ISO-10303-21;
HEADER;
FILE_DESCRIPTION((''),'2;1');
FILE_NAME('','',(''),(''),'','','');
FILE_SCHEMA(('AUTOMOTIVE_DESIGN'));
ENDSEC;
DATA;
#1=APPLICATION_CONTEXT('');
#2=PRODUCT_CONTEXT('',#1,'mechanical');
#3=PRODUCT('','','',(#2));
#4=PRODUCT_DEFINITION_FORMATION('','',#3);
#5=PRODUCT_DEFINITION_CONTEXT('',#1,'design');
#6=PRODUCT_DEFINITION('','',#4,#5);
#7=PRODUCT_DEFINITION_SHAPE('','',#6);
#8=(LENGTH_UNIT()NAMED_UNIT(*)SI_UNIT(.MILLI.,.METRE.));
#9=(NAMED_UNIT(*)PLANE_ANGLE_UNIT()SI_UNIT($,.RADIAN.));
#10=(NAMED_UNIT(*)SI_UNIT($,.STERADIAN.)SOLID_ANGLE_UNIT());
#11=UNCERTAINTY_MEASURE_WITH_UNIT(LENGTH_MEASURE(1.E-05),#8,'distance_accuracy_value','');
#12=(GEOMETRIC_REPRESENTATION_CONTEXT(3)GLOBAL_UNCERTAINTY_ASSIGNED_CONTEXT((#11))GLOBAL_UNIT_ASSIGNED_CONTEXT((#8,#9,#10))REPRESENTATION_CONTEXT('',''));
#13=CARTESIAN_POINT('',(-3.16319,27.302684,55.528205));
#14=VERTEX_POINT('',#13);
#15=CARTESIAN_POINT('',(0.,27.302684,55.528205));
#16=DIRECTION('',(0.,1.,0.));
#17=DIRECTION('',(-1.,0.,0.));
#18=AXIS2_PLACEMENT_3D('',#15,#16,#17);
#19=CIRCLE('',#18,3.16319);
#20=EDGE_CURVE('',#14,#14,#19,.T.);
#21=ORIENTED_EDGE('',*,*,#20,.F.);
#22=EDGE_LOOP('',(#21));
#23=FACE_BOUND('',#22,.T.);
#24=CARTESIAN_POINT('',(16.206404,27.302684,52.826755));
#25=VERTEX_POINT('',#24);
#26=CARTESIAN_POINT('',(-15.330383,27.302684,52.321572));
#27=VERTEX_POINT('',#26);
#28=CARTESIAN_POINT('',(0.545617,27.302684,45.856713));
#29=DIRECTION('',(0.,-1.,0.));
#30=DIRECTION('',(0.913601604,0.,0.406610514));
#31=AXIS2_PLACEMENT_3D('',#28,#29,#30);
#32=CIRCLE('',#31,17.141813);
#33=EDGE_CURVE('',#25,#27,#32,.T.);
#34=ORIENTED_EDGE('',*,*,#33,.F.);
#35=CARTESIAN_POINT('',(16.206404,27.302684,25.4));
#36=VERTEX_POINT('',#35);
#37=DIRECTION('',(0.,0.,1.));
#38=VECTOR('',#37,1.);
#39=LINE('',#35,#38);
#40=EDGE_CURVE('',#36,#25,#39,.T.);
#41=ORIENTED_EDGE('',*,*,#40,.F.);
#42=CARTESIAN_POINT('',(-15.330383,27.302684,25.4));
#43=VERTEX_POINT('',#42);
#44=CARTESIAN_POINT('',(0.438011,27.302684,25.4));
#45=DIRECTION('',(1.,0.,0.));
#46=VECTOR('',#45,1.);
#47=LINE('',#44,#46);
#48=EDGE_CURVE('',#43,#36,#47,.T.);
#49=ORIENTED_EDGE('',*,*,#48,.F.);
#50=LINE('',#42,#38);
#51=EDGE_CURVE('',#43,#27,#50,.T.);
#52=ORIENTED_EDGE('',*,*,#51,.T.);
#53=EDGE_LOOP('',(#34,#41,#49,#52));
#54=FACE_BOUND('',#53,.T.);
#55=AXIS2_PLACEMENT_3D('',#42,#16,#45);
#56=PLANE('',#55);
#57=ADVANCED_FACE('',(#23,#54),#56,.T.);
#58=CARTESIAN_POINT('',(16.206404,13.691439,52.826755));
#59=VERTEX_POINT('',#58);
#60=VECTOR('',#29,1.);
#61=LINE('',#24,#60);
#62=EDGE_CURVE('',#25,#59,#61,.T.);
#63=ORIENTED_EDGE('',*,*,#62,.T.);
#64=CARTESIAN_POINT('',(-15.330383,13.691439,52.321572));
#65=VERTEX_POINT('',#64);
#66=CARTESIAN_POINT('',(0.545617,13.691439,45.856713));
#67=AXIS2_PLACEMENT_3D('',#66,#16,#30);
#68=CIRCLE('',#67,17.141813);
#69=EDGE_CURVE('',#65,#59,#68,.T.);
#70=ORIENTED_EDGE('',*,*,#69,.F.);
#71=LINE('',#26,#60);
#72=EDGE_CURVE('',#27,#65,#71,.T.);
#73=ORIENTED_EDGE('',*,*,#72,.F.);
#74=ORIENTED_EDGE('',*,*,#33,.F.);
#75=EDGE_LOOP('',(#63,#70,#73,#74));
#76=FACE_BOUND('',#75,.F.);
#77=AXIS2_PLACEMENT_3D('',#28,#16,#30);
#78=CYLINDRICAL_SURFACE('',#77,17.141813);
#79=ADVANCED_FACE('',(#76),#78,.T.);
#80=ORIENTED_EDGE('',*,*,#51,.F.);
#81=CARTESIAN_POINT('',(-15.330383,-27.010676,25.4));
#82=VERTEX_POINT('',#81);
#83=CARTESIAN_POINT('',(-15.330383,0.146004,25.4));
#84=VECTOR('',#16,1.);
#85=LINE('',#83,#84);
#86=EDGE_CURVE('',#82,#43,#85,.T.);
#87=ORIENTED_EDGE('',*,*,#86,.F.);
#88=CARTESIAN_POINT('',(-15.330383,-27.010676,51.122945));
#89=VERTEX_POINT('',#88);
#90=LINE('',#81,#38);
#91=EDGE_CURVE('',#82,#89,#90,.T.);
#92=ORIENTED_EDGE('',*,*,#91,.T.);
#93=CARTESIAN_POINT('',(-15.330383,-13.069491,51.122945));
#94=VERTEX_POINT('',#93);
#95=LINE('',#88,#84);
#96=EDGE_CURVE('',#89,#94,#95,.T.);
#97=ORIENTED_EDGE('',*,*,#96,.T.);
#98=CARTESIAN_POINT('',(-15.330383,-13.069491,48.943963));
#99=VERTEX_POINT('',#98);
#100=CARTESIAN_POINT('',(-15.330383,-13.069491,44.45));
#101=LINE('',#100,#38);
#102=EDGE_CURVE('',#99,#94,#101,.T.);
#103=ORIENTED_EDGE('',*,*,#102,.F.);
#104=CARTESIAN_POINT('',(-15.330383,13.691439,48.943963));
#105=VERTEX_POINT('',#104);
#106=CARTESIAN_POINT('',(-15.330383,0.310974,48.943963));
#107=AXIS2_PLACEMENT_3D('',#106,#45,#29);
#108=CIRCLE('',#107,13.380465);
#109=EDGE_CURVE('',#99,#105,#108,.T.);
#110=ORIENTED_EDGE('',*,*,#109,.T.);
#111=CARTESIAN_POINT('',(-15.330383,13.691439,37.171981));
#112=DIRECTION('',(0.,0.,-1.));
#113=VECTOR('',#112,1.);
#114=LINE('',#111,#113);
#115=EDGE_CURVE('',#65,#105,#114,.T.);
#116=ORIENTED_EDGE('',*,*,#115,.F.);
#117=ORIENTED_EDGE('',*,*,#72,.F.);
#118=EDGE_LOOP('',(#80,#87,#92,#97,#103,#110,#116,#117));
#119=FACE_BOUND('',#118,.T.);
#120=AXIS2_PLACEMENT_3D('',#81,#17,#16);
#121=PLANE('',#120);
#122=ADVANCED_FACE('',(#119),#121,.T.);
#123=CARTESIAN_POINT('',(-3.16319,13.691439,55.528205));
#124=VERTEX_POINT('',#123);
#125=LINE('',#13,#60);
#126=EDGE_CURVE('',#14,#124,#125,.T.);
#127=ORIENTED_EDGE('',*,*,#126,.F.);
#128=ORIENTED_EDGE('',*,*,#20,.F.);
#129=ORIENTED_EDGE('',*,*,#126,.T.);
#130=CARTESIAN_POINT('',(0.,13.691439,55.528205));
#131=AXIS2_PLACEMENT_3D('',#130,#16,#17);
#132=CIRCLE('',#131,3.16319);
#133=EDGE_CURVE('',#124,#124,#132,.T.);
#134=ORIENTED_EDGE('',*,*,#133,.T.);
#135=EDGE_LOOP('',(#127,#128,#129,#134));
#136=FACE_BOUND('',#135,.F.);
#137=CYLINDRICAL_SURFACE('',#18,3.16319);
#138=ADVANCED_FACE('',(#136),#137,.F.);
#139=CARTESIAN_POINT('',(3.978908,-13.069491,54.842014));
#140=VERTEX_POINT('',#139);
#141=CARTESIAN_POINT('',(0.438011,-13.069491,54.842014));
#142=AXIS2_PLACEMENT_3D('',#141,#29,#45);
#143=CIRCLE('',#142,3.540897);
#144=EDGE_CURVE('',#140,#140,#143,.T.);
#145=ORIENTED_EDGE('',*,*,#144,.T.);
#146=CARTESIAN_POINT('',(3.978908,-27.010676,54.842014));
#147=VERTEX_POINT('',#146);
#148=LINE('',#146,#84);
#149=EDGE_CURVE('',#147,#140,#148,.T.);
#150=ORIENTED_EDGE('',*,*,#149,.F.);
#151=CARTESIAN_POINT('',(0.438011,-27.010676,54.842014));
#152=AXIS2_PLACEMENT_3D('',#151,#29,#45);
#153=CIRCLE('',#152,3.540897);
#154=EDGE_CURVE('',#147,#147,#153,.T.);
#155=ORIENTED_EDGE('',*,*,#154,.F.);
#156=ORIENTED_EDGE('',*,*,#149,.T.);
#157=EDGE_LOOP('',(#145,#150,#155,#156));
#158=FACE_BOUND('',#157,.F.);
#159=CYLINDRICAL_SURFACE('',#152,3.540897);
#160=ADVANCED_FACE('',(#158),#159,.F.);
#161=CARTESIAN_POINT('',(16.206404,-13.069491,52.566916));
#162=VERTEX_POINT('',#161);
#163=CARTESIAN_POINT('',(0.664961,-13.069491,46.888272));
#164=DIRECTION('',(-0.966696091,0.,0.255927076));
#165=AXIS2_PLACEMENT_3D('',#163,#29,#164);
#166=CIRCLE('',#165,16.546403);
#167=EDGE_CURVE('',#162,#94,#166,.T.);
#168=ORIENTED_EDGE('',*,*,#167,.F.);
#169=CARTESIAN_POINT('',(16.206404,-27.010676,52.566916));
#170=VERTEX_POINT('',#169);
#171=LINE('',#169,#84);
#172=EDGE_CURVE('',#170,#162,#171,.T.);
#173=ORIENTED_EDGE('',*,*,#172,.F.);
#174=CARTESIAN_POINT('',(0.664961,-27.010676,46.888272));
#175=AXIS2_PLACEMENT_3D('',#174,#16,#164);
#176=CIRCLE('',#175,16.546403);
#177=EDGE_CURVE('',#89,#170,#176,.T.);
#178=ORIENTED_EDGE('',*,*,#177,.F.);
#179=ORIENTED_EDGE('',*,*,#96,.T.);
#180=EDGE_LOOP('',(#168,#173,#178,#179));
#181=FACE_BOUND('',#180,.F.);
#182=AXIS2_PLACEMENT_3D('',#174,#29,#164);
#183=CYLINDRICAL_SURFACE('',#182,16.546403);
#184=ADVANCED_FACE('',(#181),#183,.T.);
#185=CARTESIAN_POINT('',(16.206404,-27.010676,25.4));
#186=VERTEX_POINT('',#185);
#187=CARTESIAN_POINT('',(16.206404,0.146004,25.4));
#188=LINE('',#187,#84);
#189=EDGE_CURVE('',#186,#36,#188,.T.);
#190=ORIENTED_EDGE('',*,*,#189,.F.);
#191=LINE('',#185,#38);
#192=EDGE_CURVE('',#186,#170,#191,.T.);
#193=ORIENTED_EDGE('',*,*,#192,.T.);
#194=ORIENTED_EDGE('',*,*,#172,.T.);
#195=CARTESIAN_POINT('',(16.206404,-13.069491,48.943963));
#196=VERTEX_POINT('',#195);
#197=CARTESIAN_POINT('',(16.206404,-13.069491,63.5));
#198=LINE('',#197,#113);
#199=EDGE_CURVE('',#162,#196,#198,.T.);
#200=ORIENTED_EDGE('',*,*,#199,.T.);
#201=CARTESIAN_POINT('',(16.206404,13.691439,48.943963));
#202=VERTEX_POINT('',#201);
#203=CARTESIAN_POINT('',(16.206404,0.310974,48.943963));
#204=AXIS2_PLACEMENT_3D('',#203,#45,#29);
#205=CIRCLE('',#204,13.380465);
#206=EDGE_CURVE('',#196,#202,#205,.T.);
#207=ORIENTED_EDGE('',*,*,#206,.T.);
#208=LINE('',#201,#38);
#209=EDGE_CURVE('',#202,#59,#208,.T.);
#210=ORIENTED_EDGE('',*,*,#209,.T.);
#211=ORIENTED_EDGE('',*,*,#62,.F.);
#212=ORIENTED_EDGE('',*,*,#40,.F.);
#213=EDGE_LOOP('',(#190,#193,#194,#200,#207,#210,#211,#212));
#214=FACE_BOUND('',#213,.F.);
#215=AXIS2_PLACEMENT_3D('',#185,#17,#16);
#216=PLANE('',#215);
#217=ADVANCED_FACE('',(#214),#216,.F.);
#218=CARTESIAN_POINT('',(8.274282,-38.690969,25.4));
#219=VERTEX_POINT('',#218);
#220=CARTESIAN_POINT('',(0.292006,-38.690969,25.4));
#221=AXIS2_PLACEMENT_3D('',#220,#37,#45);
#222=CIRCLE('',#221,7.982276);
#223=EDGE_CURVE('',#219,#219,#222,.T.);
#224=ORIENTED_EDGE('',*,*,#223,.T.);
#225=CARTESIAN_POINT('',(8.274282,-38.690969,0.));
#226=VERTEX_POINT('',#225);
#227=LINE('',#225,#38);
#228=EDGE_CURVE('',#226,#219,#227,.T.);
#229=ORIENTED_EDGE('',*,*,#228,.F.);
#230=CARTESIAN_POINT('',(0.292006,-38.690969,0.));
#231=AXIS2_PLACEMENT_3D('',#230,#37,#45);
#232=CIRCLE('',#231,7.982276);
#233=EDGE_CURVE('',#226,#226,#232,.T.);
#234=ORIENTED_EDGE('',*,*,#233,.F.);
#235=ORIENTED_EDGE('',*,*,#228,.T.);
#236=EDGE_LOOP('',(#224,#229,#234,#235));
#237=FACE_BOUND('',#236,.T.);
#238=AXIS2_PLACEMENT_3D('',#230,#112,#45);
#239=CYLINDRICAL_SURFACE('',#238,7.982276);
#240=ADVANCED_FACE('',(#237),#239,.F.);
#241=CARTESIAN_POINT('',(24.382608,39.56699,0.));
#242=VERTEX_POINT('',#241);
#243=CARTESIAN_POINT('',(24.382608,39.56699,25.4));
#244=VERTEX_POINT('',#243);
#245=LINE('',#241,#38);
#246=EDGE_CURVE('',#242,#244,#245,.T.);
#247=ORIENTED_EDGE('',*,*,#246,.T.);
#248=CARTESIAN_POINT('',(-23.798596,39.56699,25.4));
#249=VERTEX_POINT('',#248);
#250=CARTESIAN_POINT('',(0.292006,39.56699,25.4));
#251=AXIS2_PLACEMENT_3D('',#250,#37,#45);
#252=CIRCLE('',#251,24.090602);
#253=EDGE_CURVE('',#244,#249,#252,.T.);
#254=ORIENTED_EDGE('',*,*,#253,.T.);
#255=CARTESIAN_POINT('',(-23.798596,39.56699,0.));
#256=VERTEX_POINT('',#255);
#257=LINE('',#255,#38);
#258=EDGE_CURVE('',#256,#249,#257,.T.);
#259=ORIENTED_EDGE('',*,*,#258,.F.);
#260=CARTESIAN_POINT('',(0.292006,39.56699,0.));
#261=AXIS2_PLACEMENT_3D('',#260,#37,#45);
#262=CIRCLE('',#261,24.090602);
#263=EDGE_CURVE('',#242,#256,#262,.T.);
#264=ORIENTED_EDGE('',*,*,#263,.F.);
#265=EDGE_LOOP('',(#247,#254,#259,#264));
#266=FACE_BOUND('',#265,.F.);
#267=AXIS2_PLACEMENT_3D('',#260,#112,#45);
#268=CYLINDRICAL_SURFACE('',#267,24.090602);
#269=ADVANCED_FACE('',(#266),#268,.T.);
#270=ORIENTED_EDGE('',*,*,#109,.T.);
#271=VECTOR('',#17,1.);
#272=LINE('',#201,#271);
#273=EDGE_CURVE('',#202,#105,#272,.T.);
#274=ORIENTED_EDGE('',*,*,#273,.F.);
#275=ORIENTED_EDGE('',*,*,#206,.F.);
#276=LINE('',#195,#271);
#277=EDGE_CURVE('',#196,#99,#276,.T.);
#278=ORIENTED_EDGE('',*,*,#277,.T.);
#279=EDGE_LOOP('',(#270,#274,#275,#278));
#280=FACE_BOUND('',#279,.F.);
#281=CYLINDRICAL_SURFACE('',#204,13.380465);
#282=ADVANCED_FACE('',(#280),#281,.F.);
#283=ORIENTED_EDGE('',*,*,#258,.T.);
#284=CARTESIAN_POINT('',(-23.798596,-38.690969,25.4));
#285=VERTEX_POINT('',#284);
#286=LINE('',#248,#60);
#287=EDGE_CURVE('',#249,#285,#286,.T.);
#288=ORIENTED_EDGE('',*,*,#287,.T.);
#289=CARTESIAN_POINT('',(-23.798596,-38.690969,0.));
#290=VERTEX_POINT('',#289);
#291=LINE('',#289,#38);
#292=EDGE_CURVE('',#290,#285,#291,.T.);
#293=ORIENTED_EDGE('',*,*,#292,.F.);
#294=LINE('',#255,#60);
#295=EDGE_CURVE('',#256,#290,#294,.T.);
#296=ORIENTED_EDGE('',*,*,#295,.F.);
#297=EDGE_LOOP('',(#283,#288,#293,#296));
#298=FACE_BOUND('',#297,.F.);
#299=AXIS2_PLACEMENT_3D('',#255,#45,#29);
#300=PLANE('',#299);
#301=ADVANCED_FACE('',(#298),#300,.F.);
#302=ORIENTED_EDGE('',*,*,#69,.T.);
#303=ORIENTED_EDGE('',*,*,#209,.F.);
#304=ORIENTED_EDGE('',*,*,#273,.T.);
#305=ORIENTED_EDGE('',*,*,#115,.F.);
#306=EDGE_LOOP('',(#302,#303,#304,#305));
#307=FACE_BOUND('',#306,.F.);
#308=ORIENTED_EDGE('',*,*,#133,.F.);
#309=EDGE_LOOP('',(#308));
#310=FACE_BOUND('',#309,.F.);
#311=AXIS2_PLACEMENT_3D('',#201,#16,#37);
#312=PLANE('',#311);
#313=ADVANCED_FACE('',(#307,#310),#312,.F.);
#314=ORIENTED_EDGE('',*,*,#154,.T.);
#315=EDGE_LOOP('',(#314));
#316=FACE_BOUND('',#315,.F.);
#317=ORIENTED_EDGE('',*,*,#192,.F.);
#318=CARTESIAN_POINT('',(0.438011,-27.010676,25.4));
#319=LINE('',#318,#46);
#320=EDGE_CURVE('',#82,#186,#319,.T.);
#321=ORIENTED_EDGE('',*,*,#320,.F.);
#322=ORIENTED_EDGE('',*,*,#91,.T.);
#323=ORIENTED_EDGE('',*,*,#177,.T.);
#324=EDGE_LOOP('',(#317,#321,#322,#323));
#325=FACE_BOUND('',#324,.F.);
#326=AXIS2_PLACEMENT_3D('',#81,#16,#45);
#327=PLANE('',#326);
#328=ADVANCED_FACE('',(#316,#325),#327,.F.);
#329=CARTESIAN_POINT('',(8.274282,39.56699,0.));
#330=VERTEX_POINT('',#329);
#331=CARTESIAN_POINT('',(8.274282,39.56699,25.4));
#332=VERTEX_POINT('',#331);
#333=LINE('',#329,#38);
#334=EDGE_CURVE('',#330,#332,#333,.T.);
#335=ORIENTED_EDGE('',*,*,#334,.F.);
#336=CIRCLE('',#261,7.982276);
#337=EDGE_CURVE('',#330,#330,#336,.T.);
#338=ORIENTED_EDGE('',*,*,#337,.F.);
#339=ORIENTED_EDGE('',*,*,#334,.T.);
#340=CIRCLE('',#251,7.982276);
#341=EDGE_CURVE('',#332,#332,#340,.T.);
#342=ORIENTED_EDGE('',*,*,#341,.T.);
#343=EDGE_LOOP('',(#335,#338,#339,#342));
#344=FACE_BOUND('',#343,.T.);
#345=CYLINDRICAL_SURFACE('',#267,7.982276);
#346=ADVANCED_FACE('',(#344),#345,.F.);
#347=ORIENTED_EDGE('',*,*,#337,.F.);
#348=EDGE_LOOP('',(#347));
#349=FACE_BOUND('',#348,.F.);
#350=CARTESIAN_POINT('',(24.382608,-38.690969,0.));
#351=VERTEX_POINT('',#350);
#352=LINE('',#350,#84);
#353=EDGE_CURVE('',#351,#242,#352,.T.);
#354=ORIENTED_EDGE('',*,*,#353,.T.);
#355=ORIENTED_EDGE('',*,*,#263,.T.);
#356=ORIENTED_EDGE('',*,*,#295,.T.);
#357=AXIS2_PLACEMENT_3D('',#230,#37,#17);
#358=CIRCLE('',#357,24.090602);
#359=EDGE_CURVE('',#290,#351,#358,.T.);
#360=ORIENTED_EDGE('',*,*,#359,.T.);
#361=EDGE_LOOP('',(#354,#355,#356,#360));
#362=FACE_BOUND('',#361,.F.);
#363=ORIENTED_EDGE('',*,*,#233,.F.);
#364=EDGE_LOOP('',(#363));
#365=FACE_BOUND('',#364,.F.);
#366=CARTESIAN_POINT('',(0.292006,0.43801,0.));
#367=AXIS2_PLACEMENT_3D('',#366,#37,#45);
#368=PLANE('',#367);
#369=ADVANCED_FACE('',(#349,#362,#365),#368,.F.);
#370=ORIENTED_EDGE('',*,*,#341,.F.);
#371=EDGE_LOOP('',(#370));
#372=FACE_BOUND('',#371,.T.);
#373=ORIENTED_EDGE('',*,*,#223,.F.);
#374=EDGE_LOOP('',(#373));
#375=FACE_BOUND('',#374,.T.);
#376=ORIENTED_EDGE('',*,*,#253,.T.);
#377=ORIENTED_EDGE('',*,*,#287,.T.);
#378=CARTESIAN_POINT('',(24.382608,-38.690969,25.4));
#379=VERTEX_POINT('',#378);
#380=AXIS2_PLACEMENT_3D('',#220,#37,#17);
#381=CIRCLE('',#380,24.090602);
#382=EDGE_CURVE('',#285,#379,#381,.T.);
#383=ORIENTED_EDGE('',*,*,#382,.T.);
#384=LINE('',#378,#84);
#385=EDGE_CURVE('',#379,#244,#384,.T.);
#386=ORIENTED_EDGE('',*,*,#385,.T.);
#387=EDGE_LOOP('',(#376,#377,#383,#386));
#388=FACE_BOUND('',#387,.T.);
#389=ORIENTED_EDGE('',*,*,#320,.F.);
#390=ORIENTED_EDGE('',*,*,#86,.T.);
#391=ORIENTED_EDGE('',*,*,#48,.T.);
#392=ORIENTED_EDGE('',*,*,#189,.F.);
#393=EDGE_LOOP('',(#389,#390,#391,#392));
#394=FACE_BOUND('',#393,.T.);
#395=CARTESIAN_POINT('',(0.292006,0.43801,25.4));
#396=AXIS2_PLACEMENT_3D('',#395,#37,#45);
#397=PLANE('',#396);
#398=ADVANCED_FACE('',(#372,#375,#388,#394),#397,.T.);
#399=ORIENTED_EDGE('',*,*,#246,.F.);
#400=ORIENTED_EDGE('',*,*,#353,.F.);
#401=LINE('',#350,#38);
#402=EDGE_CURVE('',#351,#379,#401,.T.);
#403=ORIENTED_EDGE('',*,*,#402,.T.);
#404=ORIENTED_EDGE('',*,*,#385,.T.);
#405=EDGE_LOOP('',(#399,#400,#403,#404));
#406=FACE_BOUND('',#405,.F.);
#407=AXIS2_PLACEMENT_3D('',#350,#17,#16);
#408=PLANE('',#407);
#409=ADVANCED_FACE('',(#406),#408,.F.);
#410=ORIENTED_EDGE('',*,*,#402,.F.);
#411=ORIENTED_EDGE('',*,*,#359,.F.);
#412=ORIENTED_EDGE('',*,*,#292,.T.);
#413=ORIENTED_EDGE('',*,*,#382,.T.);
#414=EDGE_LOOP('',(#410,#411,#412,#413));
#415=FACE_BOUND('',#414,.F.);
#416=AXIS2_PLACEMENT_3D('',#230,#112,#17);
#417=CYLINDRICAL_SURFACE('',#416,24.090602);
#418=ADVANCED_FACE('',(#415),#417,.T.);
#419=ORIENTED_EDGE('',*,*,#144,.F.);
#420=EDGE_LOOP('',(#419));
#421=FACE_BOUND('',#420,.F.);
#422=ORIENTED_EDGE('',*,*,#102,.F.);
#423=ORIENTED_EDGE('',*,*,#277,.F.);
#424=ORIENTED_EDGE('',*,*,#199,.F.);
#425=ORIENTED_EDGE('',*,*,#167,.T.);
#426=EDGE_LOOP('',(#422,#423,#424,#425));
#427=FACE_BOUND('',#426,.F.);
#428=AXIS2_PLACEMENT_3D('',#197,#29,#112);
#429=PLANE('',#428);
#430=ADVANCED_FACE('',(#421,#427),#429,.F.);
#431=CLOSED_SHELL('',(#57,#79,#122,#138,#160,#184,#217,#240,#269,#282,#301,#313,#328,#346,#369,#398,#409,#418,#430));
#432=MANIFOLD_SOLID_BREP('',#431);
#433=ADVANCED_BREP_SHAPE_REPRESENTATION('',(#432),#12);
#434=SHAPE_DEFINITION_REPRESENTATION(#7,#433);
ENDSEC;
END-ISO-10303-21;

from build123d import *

# Parameters (mm, degrees)
F0_R      = 7.9822757018
F1_DEPTH  = 25.4
F2_W      = 31.536786817
F2_H      = 54.3133597821
F3_DEPTH  = 38.1
F5_DEPTH  = 35.56
F7_DEPTH  = 33.02
F9_DEPTH  = 33.02
F10_R     = 3.1631900108
F11_DEPTH = 33.02
F12_R     = 3.540896841
F13_DEPTH = 33.02


with BuildPart() as f1:
    # F0 (on Top) → F1 (new body)
    with BuildSketch(Plane.XY):
        with BuildLine():
            Line((24.3826080114, -38.690969348), (24.3826080114, 39.5669899881))
            ThreePointArc((24.3826080114, 39.5669899881), (0.2920059487, 63.6575920507), (-23.7985961139, 39.5669899881))
            Line((-23.7985961139, 39.5669899881), (-23.7985961139, -38.690969348))
            ThreePointArc((-23.7985961139, -38.690969348), (0.2920059487, -62.7815714106), (24.3826080114, -38.690969348))
        make_face()
        with Locations((0.2920059487, -38.690969348)):
            Circle(F0_R, mode=Mode.SUBTRACT)
        with Locations((0.2920059487, 39.5669899881)):
            Circle(F0_R, mode=Mode.SUBTRACT)
    extrude(amount=F1_DEPTH)

    # F2 (on face) → F3 (join)
    with BuildSketch(Plane.XY.offset(25.4)):
        with Locations((0.4380107857, 0.1460043713)):
            Rectangle(F2_W, F2_H)
    extrude(amount=F3_DEPTH)

    # F4 (on face) → F5 (cut)
    with BuildSketch(Plane.YZ.offset(16.2064041942)):
        with BuildLine():
            Line((13.6914392933, 48.9439629018), (13.6914392933, 63.5))
            Line((13.6914392933, 63.5), (-13.0694909021, 63.5))
            Line((-13.0694909021, 63.5), (-13.0694909021, 48.9439629018))
            ThreePointArc((-13.0694909021, 48.9439629018), (0.3109741956, 35.5634978041), (13.6914392933, 48.9439629018))
        make_face()
    extrude(amount=-F5_DEPTH, mode=Mode.SUBTRACT)

    # F6 (on face) → F7 (cut)
    with BuildSketch(Plane.XZ.offset(27.0106755197)):
        with BuildLine():
            ThreePointArc((-15.3303826228, 51.122944802), (-0.0918545456, 63.4173583867), (16.2064041942, 52.5669157505))
            Line((16.2064041942, 52.5669157505), (16.2064041942, 63.5))
            Line((16.2064041942, 63.5), (-15.3303826228, 63.5))
            Line((-15.3303826228, 63.5), (-15.3303826228, 51.122944802))
        make_face()
    extrude(amount=-F7_DEPTH, mode=Mode.SUBTRACT)

    # F8 (on face) → F9 (cut)
    with BuildSketch(Plane(origin=(0, 27.3026842624, 0), x_dir=(-1, 0, 0), z_dir=(0, 1, 0))):
        with BuildLine():
            ThreePointArc((-16.2064041942, 52.8267547488), (-0.2710597584, 62.9963273127), (15.3303826228, 52.3215718567))
            Line((15.3303826228, 52.3215718567), (15.3303826228, 63.5))
            Line((15.3303826228, 63.5), (-16.2064041942, 63.5))
            Line((-16.2064041942, 63.5), (-16.2064041942, 52.8267547488))
        make_face()
    extrude(amount=-F9_DEPTH, mode=Mode.SUBTRACT)

    # F10 (on face) → F11 (cut)
    with BuildSketch(Plane(origin=(0, 27.3026842624, 0), x_dir=(-1, 0, 0), z_dir=(0, 1, 0))):
        with Locations((0, 55.5282048881)):
            Circle(F10_R)
    extrude(amount=-F11_DEPTH, mode=Mode.SUBTRACT)

    # F12 (on face) → F13 (cut)
    with BuildSketch(Plane.XZ.offset(27.0106755197)):
        with Locations((0.4380107857, 54.8420138657)):
            Circle(F12_R)
    extrude(amount=-F13_DEPTH, mode=Mode.SUBTRACT)


solid = f1.part
